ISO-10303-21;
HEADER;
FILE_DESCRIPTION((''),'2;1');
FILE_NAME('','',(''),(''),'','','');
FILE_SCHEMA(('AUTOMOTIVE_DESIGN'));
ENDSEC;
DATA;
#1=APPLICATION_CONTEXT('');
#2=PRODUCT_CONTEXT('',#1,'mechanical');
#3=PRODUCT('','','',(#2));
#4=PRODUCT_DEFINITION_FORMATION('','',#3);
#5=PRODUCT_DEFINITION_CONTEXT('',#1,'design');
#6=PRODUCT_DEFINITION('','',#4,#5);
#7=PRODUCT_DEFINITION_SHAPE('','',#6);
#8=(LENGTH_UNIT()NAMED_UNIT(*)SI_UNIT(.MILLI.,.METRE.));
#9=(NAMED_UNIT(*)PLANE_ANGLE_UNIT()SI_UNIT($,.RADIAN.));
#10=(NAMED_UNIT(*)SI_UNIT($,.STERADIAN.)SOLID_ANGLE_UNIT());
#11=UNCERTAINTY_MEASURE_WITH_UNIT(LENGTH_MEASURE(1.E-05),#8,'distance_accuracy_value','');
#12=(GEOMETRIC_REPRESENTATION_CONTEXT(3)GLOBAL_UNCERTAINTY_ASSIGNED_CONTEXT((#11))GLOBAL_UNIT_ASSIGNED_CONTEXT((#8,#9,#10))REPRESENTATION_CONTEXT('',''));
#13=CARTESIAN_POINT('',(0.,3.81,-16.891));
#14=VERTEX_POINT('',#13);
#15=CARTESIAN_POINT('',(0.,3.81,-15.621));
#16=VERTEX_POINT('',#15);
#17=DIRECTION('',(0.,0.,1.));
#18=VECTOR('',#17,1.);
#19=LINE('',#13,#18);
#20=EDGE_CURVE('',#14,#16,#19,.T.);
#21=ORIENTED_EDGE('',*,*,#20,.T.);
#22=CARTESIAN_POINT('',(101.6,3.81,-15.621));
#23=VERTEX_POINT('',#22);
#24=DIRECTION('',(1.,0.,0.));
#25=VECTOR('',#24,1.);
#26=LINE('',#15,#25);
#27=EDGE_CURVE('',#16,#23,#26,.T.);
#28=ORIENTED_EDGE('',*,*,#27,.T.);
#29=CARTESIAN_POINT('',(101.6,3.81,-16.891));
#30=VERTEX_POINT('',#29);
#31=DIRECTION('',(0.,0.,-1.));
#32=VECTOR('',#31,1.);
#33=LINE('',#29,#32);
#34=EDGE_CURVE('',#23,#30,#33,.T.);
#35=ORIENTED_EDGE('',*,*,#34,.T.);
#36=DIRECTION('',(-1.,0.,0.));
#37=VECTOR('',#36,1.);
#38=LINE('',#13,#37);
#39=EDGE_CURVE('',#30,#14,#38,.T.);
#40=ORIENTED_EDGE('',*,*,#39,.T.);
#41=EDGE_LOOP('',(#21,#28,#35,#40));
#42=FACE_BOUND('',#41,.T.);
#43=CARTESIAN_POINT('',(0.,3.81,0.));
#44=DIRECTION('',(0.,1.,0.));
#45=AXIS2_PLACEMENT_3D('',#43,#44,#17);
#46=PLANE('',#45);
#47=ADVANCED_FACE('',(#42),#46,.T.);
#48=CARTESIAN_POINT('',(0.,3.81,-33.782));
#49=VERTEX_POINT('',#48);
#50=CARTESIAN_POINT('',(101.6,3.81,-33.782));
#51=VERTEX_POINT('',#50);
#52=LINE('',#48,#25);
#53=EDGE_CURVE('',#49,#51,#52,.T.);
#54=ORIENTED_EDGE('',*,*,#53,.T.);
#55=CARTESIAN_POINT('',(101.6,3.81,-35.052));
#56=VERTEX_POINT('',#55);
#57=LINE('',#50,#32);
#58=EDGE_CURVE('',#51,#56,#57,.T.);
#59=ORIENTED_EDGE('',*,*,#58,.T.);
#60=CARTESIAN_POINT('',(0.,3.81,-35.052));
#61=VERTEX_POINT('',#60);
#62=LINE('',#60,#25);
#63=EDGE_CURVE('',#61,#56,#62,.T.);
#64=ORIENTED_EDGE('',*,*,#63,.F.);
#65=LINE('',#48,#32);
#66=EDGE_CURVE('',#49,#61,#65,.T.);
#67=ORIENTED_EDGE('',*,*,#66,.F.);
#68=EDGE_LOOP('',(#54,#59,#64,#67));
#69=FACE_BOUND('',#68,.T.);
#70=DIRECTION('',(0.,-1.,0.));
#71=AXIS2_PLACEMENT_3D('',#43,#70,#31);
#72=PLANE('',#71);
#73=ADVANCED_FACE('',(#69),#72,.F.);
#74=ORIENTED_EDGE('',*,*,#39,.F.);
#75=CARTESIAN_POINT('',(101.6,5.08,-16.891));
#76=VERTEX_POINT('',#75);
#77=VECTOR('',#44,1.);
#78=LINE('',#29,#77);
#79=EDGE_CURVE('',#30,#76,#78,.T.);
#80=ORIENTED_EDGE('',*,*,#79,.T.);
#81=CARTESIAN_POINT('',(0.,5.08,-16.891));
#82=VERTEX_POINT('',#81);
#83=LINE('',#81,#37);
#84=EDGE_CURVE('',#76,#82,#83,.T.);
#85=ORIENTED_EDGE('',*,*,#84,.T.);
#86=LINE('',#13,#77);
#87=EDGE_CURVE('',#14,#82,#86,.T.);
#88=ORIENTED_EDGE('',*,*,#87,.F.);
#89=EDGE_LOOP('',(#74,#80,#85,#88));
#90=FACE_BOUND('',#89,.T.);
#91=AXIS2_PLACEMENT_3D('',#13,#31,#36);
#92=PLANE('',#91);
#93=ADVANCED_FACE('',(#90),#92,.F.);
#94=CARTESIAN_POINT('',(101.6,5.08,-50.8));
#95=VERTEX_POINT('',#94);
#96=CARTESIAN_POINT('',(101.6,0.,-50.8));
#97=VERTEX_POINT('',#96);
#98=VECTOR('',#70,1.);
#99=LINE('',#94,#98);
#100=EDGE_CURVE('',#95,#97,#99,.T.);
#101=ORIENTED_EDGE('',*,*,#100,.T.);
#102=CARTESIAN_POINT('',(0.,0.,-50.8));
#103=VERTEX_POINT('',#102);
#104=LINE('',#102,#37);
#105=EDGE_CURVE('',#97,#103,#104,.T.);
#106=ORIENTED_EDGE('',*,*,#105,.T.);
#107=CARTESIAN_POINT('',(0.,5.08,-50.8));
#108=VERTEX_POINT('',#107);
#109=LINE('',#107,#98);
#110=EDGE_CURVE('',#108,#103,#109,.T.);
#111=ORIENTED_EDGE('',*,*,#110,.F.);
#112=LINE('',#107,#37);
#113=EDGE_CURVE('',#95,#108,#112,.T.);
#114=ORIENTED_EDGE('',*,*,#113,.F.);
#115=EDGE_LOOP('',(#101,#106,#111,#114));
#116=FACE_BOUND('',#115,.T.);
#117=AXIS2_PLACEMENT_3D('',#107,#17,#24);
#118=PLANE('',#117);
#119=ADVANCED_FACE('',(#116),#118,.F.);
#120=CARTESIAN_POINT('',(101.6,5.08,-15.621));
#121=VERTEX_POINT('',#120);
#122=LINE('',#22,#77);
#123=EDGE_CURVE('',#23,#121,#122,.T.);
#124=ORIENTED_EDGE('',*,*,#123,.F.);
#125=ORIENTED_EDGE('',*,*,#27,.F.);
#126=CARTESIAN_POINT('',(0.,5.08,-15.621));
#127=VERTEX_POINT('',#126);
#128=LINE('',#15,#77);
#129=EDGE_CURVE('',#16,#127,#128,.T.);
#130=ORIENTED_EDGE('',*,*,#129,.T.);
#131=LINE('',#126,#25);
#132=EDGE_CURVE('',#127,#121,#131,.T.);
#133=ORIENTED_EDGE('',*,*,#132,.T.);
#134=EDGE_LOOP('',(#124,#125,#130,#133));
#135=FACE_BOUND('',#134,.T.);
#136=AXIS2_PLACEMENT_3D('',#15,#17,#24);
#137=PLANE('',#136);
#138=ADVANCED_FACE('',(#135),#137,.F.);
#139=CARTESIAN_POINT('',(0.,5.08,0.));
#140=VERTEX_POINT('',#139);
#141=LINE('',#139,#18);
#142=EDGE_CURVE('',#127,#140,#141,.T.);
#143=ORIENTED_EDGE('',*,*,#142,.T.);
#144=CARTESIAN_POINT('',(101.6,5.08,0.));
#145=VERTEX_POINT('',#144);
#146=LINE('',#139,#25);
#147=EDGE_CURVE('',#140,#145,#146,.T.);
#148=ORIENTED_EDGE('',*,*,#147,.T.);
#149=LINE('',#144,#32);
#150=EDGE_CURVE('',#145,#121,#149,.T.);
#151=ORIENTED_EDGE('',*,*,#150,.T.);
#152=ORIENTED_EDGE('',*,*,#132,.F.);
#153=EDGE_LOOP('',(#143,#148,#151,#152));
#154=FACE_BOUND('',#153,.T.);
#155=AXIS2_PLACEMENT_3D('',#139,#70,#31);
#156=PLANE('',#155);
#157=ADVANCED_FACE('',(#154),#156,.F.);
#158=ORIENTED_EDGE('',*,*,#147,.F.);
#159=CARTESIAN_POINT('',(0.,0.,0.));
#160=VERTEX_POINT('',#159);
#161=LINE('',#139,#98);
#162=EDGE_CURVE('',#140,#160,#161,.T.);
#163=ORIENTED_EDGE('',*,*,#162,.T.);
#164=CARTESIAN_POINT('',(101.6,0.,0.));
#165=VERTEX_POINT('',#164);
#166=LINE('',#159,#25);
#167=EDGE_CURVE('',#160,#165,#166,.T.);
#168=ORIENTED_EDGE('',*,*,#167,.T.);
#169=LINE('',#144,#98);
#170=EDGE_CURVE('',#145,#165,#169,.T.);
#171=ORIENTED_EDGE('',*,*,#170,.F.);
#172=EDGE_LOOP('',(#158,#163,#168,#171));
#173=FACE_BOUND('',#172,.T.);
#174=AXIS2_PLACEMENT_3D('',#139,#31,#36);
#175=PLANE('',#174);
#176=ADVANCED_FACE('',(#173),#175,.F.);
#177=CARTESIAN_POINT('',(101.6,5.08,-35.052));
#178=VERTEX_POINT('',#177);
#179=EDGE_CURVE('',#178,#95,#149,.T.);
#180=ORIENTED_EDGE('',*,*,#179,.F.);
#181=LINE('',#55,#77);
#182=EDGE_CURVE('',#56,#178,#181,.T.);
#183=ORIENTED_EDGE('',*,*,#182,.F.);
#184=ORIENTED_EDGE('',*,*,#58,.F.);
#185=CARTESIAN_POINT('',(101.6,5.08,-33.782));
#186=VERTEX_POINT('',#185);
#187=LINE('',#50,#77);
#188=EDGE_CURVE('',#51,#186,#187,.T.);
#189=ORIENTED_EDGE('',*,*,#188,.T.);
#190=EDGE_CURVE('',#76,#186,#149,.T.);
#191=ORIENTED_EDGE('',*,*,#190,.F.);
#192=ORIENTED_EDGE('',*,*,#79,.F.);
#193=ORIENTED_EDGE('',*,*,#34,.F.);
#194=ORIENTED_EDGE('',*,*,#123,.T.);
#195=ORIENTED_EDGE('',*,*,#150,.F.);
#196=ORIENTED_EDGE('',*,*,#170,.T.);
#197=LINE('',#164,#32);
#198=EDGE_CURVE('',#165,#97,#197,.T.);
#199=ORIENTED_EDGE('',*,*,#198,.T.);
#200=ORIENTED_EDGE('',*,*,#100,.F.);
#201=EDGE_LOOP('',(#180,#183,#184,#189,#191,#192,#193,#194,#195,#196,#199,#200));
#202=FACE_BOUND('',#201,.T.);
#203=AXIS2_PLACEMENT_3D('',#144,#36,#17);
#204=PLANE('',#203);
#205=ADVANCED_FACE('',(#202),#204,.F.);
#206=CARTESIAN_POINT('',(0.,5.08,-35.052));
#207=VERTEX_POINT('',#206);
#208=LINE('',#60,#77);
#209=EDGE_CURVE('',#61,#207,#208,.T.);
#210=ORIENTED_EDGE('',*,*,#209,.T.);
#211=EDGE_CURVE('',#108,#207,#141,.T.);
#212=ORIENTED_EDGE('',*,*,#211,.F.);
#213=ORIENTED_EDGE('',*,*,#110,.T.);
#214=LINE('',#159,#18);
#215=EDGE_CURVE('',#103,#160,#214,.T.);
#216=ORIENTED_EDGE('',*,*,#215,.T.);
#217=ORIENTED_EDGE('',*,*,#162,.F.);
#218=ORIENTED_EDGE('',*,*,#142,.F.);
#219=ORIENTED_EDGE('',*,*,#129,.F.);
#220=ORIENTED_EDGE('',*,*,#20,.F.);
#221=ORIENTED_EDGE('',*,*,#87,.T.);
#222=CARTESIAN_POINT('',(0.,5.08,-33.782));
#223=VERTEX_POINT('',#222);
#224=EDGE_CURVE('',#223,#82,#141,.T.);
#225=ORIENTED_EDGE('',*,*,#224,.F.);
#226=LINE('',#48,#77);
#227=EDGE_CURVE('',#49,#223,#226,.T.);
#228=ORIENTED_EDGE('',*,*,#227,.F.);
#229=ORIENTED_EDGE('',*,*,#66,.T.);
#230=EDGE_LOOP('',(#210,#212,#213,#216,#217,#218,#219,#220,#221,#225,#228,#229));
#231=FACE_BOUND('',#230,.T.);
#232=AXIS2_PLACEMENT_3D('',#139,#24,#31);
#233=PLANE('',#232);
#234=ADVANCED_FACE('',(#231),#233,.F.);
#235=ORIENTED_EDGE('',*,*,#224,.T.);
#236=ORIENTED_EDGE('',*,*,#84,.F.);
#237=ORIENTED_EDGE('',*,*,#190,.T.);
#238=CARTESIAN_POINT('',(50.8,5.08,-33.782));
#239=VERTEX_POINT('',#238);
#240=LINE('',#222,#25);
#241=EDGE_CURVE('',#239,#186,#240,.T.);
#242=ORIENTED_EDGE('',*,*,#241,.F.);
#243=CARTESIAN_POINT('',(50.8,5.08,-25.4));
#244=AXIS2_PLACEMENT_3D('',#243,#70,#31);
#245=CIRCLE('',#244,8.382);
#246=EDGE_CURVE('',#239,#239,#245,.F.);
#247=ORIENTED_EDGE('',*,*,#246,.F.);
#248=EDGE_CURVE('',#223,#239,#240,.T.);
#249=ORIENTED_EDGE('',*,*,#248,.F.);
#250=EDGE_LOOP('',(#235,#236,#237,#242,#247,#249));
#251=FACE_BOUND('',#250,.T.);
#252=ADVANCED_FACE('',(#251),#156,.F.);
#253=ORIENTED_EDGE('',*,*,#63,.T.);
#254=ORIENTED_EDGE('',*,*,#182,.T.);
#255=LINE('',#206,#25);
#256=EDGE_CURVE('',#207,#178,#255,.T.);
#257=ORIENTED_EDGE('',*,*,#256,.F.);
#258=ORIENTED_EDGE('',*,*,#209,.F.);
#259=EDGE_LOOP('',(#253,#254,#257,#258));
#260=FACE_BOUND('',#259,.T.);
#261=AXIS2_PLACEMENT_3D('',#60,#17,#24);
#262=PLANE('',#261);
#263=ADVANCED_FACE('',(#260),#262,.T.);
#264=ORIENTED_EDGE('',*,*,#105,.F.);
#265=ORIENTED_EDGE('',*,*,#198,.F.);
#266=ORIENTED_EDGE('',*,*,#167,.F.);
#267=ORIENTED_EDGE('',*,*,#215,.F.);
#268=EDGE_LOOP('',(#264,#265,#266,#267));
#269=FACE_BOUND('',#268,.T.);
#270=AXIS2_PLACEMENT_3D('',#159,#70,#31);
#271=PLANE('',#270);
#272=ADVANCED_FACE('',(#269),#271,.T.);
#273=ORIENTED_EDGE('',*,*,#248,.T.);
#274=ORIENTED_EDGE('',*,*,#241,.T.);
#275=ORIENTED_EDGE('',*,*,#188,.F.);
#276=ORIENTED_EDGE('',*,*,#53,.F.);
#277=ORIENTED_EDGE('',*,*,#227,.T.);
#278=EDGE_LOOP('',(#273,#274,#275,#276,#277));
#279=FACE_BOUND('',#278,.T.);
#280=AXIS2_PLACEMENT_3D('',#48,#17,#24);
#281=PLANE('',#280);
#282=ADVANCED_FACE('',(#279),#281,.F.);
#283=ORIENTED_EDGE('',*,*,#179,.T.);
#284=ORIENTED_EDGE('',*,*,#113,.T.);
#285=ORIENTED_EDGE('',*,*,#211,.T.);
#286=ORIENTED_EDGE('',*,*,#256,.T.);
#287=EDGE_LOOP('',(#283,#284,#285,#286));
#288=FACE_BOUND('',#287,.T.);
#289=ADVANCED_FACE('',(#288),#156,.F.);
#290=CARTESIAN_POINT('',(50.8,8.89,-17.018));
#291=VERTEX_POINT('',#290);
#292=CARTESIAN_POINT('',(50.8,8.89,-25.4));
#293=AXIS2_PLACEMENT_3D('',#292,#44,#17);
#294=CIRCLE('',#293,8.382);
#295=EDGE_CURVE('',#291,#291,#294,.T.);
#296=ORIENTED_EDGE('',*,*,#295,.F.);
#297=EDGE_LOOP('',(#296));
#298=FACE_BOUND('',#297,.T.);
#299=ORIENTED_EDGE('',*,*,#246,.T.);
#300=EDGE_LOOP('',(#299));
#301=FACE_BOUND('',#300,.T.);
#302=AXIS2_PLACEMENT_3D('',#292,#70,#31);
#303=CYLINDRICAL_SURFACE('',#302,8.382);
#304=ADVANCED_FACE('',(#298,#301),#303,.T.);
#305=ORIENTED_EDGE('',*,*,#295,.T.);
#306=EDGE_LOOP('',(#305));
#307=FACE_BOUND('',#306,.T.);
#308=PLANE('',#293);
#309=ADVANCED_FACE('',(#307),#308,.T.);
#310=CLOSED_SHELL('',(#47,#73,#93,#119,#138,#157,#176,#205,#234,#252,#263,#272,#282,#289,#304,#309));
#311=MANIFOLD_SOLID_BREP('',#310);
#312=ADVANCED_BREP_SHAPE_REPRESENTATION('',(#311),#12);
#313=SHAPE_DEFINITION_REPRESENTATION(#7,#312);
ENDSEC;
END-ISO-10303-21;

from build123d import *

# Parameters (mm, degrees)
SKETCH1_W           = 101.6
SKETCH1_H           = 50.8
BOSS_EXTRUDE1_DEPTH = 5.08
SKETCH2_R           = 8.382
BOSS_EXTRUDE2_DEPTH = 8.89
SKETCH4_W           = 101.6
SKETCH4_H           = 1.27
CUT_EXTRUDE1_DEPTH  = 1.27
SKETCH5_W           = 101.6
SKETCH5_H           = 1.27
CUT_EXTRUDE2_DEPTH  = 1.27


with BuildPart() as part:
    # Sketch1 → Boss-Extrude1 (new body)
    with BuildSketch(Plane(origin=(0, 0, 0), x_dir=(1, 0, 0), z_dir=(0, 1, 0))):
        with Locations((50.8, 25.4)):
            Rectangle(SKETCH1_W, SKETCH1_H)
    extrude(amount=BOSS_EXTRUDE1_DEPTH)

    # Sketch2 → Boss-Extrude2 (add)
    with BuildSketch(Plane(origin=(0, 0, 0), x_dir=(1, 0, 0), z_dir=(0, 1, 0))):
        with Locations(Location((50.8, 25.4, 0), (0, 0, 90))):
            Circle(SKETCH2_R)
    extrude(amount=BOSS_EXTRUDE2_DEPTH)

    # Sketch4 → Cut-Extrude1 (cut)
    with BuildSketch(Plane(origin=(0, 5.08, 0), x_dir=(1, 0, 0), z_dir=(0, 1, 0))):
        with Locations((50.8, 34.417)):
            Rectangle(SKETCH4_W, SKETCH4_H)
    extrude(amount=-CUT_EXTRUDE1_DEPTH, mode=Mode.SUBTRACT)

    # Sketch5 → Cut-Extrude2 (cut)
    with BuildSketch(Plane(origin=(0, 5.08, 0), x_dir=(1, 0, 0), z_dir=(0, 1, 0))):
        with Locations((50.8, 16.256)):
            Rectangle(SKETCH5_W, SKETCH5_H)
    extrude(amount=-CUT_EXTRUDE2_DEPTH, mode=Mode.SUBTRACT)


solid = part.part
